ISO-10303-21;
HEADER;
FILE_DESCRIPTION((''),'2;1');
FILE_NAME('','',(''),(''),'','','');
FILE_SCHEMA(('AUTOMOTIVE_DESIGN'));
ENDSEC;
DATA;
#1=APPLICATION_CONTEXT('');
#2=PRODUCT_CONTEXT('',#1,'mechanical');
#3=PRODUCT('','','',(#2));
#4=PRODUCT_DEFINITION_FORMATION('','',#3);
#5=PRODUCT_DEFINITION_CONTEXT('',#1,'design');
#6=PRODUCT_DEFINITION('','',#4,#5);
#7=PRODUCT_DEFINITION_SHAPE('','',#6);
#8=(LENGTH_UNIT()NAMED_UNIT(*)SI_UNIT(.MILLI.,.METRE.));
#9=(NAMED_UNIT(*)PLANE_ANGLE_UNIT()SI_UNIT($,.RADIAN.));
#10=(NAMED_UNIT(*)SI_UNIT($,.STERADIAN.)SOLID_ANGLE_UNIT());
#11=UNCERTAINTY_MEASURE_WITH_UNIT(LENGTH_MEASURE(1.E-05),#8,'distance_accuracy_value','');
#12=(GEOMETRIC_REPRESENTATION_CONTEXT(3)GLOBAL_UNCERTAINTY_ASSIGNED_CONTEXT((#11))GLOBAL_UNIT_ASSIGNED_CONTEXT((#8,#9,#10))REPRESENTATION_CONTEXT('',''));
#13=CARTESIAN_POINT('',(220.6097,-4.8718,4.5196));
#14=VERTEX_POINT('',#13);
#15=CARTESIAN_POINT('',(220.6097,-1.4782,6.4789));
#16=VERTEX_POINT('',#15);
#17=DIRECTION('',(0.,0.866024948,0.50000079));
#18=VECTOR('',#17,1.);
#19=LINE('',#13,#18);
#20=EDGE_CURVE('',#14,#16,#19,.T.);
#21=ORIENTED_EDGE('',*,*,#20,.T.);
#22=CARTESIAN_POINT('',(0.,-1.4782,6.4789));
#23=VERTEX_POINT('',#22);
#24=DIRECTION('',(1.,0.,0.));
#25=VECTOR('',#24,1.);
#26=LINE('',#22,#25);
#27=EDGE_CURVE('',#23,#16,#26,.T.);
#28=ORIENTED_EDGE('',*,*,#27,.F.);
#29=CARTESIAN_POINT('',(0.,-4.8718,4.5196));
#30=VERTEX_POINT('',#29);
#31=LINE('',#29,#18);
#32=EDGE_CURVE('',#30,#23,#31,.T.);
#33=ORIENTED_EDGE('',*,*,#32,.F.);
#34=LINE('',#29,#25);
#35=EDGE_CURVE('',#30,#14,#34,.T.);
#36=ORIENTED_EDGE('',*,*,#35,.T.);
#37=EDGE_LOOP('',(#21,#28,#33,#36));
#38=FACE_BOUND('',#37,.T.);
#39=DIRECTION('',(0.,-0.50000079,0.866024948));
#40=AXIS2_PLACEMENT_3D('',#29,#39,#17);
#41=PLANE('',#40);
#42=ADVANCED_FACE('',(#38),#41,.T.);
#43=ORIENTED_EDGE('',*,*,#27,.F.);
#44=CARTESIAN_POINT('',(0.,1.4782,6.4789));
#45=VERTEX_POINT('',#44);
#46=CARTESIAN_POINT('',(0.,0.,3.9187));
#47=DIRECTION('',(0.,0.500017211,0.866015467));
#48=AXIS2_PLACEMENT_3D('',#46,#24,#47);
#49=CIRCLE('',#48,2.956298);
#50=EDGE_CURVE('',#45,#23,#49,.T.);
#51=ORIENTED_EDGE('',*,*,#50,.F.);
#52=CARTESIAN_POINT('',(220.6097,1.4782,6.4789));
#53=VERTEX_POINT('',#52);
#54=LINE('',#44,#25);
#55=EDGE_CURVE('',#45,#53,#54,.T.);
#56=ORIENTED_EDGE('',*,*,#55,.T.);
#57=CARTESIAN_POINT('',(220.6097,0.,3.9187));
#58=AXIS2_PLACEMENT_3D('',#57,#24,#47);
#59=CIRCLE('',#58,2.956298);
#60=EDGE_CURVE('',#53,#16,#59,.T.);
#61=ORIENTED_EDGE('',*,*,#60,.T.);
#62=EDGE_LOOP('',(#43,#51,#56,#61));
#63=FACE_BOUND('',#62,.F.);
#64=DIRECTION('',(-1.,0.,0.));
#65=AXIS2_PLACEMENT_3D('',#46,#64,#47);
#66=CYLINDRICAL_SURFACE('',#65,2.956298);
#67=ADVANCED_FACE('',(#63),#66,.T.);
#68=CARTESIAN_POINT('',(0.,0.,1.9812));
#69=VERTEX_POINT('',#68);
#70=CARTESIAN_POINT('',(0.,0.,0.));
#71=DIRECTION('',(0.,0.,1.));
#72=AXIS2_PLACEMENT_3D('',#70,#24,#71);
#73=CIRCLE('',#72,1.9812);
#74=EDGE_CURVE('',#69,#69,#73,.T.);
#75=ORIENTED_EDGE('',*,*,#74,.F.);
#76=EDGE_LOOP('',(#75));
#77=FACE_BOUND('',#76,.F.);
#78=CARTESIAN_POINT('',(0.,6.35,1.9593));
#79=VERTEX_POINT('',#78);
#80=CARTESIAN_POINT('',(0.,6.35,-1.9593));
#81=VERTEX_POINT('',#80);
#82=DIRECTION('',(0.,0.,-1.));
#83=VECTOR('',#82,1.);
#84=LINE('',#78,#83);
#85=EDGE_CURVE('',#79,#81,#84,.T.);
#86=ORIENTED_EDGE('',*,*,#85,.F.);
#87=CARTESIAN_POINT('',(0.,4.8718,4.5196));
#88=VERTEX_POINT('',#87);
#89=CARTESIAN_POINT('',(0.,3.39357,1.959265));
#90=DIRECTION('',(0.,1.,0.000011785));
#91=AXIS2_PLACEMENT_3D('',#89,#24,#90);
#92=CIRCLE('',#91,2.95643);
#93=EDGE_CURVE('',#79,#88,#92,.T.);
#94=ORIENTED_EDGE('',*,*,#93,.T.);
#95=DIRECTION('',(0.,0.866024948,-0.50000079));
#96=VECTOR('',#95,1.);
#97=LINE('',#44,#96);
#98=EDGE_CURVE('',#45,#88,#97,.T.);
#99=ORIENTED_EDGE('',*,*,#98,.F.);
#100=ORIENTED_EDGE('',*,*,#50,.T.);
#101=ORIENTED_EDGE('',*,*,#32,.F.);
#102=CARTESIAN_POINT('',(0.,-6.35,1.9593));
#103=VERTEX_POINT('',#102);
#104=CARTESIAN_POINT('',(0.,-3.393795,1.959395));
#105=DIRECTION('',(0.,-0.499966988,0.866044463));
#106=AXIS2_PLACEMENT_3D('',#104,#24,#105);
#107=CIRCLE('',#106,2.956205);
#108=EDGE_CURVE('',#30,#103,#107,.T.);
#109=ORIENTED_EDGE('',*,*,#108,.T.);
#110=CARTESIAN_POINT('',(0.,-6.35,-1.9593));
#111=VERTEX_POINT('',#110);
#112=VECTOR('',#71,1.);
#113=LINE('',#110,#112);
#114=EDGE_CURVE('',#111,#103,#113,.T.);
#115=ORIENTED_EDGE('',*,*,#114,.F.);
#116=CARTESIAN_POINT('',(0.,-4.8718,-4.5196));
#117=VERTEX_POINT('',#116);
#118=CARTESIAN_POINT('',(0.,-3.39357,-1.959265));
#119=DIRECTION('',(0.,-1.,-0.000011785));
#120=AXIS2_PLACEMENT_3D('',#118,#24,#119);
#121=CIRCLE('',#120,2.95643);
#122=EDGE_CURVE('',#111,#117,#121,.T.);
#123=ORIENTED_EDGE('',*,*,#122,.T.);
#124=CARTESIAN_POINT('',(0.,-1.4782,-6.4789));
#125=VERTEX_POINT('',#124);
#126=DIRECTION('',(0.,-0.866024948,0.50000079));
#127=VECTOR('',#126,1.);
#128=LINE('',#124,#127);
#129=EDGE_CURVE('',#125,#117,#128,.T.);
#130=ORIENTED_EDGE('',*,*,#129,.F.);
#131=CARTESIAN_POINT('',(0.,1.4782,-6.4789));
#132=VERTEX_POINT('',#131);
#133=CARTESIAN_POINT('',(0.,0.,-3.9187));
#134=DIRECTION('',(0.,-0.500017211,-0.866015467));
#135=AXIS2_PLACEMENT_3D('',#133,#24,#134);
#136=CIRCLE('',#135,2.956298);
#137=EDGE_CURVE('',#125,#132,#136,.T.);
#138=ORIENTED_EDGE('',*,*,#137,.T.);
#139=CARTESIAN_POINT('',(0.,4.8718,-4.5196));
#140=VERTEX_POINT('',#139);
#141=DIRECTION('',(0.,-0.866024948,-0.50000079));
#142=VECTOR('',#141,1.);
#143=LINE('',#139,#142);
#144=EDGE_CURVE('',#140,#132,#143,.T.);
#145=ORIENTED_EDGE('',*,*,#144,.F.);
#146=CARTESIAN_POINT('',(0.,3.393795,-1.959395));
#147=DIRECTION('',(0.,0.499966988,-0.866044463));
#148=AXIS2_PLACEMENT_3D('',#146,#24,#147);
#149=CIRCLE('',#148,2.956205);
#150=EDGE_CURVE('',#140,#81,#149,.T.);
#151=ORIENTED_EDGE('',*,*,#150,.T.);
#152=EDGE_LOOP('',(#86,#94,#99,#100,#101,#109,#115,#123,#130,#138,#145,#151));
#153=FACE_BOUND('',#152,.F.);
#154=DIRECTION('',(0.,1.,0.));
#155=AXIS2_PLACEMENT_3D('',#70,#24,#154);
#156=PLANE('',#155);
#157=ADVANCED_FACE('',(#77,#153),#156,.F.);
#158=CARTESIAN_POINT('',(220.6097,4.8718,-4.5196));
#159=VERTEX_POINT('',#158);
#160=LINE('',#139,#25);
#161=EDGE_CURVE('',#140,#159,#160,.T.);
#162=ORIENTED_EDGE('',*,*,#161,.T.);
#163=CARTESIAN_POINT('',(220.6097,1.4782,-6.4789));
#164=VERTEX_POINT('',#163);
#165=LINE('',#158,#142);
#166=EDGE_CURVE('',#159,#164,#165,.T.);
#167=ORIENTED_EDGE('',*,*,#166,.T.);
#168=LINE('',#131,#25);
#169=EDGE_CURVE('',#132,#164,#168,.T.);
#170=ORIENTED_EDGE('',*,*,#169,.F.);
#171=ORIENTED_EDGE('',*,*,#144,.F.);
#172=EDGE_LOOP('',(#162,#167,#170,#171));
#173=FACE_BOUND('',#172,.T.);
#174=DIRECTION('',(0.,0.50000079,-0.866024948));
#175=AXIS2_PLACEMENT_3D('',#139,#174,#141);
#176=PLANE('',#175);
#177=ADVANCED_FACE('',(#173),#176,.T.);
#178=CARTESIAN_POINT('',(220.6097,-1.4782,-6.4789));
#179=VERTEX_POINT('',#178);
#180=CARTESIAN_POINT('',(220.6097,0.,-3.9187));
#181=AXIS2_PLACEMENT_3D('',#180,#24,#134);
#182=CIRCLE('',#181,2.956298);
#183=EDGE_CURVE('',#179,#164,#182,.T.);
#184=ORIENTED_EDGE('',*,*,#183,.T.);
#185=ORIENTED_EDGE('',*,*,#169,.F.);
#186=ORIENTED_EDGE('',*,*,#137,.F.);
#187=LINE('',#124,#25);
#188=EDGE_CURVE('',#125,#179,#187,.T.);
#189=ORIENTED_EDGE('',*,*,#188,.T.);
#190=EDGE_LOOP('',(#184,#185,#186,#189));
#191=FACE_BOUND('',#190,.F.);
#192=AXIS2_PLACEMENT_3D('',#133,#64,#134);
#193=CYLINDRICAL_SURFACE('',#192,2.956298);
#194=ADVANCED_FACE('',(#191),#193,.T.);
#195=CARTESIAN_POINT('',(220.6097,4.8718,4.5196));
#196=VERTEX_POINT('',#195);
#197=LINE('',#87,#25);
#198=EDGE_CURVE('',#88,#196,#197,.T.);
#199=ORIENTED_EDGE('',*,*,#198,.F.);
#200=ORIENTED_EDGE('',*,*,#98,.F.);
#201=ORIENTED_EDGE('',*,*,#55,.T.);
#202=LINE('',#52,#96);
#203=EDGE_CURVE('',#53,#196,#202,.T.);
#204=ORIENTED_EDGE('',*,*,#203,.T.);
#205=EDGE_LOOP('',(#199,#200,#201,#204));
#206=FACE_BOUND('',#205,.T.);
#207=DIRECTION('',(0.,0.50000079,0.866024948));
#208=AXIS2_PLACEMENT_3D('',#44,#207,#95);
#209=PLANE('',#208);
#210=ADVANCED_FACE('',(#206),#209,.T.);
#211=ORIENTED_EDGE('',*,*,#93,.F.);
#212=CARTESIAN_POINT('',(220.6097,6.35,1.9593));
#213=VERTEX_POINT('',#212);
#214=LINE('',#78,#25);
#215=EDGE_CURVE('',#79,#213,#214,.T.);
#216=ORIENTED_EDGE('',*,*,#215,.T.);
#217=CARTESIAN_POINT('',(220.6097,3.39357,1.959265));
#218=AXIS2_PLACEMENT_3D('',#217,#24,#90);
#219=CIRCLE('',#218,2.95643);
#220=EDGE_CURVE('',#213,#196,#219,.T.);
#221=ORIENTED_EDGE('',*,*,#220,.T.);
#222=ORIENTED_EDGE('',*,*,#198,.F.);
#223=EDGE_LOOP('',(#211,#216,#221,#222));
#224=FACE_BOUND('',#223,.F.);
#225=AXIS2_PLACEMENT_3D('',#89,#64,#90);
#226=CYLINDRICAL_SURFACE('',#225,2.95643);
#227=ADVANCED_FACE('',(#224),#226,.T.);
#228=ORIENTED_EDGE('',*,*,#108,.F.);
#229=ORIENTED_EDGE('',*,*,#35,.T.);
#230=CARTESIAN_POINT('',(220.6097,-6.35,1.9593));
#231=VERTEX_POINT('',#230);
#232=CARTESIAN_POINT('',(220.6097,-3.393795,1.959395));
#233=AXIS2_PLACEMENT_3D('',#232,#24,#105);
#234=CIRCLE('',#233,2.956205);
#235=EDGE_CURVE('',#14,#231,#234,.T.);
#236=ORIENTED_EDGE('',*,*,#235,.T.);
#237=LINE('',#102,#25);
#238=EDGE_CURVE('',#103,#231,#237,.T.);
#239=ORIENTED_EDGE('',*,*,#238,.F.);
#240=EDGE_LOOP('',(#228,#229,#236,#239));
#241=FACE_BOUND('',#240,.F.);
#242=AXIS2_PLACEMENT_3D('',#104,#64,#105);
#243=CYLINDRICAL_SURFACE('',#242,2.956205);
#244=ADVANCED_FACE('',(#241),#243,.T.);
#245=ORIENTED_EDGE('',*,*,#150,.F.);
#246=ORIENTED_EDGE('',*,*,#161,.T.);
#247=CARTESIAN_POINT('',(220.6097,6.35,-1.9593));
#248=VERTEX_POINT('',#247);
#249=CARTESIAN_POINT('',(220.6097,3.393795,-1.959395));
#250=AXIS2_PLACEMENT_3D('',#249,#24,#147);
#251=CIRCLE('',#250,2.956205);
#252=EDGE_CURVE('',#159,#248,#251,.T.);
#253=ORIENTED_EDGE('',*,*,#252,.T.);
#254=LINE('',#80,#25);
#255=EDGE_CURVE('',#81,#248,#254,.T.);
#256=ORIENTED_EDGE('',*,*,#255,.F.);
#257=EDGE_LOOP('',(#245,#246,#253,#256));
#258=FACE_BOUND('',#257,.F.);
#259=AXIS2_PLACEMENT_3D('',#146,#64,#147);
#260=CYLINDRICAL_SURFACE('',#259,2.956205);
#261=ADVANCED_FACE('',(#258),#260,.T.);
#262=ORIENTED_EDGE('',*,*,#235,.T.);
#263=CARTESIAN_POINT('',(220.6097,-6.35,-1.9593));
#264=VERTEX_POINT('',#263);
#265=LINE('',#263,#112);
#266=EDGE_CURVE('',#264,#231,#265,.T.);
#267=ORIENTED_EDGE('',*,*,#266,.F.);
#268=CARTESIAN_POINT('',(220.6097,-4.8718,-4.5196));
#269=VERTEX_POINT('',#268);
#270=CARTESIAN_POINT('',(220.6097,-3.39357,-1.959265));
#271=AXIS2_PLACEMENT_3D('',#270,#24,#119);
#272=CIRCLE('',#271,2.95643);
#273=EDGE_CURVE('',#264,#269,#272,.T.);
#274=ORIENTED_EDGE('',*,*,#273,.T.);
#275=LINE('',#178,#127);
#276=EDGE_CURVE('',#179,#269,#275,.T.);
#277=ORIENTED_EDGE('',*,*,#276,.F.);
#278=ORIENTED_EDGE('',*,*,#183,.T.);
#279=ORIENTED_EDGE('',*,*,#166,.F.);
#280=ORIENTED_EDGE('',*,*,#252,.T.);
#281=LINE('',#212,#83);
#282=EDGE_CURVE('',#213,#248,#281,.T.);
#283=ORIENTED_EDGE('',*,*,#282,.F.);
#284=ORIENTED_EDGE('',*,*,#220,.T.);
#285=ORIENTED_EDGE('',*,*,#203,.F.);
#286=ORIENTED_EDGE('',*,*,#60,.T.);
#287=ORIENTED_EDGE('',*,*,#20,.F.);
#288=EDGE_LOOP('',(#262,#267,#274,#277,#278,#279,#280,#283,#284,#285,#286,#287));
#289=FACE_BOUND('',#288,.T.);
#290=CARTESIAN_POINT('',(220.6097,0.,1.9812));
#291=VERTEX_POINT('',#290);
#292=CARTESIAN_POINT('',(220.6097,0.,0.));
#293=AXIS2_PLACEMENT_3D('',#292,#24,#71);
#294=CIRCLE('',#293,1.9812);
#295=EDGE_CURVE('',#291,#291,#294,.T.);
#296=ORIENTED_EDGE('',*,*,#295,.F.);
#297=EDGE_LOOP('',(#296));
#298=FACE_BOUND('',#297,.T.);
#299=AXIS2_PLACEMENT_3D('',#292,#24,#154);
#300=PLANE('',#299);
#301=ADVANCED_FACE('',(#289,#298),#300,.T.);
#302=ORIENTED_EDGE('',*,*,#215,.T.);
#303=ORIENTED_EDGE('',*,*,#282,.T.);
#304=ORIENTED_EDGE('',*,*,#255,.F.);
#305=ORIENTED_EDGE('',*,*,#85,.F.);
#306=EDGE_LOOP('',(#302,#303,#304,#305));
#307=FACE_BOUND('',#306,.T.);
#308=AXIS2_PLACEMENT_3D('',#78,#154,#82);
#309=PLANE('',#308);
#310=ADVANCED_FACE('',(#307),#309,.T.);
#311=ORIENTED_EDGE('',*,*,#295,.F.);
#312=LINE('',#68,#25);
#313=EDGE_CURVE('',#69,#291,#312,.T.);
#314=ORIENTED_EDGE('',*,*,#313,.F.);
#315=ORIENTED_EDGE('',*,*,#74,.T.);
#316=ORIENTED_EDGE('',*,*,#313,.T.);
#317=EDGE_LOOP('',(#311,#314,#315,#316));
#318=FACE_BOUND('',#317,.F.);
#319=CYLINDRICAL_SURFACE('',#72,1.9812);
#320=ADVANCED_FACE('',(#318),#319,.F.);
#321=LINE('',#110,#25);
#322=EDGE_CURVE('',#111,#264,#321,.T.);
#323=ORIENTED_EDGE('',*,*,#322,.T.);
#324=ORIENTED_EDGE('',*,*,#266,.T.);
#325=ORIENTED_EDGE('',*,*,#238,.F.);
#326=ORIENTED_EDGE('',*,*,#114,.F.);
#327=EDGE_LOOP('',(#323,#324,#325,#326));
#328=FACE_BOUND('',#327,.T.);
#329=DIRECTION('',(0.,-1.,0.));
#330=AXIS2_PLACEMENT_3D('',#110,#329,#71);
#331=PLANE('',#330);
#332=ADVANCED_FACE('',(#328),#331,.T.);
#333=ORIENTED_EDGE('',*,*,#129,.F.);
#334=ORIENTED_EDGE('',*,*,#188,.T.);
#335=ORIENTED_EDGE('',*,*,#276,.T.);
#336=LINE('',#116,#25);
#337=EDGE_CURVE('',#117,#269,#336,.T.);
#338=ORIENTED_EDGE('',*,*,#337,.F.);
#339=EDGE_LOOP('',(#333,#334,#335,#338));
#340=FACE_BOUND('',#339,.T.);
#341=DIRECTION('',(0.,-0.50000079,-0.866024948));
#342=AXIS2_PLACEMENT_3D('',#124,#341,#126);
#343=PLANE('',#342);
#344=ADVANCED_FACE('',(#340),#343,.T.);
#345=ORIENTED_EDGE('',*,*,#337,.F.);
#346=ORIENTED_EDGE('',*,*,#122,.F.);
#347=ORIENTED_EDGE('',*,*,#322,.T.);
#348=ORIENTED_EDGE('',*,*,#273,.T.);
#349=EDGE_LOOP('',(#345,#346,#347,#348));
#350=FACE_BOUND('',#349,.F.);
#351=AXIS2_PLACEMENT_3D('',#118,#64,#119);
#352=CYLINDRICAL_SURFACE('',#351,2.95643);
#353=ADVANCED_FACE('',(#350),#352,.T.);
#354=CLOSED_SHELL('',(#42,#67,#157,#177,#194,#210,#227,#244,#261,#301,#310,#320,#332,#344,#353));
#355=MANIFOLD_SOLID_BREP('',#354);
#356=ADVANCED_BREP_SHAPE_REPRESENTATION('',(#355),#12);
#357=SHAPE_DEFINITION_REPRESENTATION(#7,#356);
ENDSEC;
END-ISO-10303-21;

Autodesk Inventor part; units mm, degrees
ref_plane "YZ Plane" through (0, 0, 0) normal (1, 0, 0) x (0, 1, 0)
ref_plane "XZ Plane" through (0, 0, 0) normal (0, 1, 0) x (-1, 0, 0)
ref_plane "XY Plane" through (0, 0, 0) normal (0, 0, 1) x (1, 0, 0)
sketch "Sketch1" plane through (0, 0, 0) normal (1, 0, 0) x (0, 1, 0)
  line L0 (-6.35, -1.9593) -> (-6.35, 1.9593)
  line L1 (-4.8718, 4.5196) -> (-1.4782, 6.4789)
  line L2 (1.4782, 6.4789) -> (4.8718, 4.5196)
  line L3 (6.35, 1.9593) -> (6.35, -1.9593)
  line L4 (4.8718, -4.5196) -> (1.4782, -6.4789)
  line L5 (-1.4782, -6.4789) -> (-4.8718, -4.5196)
  arc A0 (4.8718, -4.5196) -> (6.35, -1.9593) centre (3.3937, -1.9593) ccw
  arc A1 (-1.4782, -6.4789) -> (1.4782, -6.4789) centre (0, -3.9187) ccw
  arc A2 (-6.35, -1.9593) -> (-4.8718, -4.5196) centre (-3.3937, -1.9593) ccw
  arc A3 (-4.8718, 4.5196) -> (-6.35, 1.9593) centre (-3.3937, 1.9593) ccw
  arc A4 (1.4782, 6.4789) -> (-1.4782, 6.4789) centre (0, 3.9187) ccw
  arc A5 (6.35, 1.9593) -> (4.8718, 4.5196) centre (3.3937, 1.9593) ccw
  circle A6 centre (0, 0) radius 6.875 construction
  point P0 (-6.35, -3.6662)
  point P1 (-6.35, 3.6662)
  point P2 (0, 7.3323)
  point P3 (6.35, 3.6662)
  point P4 (6.35, -3.6662)
  point P5 (0, -7.3323)
  dimension "d1" = 12.7
  dimension "d2" = 13.75
extrude "Extrusion1" add sketch "Sketch1" along normal blind 220.6097
sketch "Sketch2" plane through (0, 0, 0) normal (-1, 0, 0) x (0, 0, 1)
  point P0 (0, 0)
  point P1 (0, 0)
hole "Hole1" at (0, 0, 0) direction (1, 0, 0) diameter 3.9624 end through all thread size "10-32 UNF" class "2B" standard "ANSI Unified Screw Threads"
properties part number "STOCK,HEX,ROUND,HOOD" material "Aluminum 6061"
